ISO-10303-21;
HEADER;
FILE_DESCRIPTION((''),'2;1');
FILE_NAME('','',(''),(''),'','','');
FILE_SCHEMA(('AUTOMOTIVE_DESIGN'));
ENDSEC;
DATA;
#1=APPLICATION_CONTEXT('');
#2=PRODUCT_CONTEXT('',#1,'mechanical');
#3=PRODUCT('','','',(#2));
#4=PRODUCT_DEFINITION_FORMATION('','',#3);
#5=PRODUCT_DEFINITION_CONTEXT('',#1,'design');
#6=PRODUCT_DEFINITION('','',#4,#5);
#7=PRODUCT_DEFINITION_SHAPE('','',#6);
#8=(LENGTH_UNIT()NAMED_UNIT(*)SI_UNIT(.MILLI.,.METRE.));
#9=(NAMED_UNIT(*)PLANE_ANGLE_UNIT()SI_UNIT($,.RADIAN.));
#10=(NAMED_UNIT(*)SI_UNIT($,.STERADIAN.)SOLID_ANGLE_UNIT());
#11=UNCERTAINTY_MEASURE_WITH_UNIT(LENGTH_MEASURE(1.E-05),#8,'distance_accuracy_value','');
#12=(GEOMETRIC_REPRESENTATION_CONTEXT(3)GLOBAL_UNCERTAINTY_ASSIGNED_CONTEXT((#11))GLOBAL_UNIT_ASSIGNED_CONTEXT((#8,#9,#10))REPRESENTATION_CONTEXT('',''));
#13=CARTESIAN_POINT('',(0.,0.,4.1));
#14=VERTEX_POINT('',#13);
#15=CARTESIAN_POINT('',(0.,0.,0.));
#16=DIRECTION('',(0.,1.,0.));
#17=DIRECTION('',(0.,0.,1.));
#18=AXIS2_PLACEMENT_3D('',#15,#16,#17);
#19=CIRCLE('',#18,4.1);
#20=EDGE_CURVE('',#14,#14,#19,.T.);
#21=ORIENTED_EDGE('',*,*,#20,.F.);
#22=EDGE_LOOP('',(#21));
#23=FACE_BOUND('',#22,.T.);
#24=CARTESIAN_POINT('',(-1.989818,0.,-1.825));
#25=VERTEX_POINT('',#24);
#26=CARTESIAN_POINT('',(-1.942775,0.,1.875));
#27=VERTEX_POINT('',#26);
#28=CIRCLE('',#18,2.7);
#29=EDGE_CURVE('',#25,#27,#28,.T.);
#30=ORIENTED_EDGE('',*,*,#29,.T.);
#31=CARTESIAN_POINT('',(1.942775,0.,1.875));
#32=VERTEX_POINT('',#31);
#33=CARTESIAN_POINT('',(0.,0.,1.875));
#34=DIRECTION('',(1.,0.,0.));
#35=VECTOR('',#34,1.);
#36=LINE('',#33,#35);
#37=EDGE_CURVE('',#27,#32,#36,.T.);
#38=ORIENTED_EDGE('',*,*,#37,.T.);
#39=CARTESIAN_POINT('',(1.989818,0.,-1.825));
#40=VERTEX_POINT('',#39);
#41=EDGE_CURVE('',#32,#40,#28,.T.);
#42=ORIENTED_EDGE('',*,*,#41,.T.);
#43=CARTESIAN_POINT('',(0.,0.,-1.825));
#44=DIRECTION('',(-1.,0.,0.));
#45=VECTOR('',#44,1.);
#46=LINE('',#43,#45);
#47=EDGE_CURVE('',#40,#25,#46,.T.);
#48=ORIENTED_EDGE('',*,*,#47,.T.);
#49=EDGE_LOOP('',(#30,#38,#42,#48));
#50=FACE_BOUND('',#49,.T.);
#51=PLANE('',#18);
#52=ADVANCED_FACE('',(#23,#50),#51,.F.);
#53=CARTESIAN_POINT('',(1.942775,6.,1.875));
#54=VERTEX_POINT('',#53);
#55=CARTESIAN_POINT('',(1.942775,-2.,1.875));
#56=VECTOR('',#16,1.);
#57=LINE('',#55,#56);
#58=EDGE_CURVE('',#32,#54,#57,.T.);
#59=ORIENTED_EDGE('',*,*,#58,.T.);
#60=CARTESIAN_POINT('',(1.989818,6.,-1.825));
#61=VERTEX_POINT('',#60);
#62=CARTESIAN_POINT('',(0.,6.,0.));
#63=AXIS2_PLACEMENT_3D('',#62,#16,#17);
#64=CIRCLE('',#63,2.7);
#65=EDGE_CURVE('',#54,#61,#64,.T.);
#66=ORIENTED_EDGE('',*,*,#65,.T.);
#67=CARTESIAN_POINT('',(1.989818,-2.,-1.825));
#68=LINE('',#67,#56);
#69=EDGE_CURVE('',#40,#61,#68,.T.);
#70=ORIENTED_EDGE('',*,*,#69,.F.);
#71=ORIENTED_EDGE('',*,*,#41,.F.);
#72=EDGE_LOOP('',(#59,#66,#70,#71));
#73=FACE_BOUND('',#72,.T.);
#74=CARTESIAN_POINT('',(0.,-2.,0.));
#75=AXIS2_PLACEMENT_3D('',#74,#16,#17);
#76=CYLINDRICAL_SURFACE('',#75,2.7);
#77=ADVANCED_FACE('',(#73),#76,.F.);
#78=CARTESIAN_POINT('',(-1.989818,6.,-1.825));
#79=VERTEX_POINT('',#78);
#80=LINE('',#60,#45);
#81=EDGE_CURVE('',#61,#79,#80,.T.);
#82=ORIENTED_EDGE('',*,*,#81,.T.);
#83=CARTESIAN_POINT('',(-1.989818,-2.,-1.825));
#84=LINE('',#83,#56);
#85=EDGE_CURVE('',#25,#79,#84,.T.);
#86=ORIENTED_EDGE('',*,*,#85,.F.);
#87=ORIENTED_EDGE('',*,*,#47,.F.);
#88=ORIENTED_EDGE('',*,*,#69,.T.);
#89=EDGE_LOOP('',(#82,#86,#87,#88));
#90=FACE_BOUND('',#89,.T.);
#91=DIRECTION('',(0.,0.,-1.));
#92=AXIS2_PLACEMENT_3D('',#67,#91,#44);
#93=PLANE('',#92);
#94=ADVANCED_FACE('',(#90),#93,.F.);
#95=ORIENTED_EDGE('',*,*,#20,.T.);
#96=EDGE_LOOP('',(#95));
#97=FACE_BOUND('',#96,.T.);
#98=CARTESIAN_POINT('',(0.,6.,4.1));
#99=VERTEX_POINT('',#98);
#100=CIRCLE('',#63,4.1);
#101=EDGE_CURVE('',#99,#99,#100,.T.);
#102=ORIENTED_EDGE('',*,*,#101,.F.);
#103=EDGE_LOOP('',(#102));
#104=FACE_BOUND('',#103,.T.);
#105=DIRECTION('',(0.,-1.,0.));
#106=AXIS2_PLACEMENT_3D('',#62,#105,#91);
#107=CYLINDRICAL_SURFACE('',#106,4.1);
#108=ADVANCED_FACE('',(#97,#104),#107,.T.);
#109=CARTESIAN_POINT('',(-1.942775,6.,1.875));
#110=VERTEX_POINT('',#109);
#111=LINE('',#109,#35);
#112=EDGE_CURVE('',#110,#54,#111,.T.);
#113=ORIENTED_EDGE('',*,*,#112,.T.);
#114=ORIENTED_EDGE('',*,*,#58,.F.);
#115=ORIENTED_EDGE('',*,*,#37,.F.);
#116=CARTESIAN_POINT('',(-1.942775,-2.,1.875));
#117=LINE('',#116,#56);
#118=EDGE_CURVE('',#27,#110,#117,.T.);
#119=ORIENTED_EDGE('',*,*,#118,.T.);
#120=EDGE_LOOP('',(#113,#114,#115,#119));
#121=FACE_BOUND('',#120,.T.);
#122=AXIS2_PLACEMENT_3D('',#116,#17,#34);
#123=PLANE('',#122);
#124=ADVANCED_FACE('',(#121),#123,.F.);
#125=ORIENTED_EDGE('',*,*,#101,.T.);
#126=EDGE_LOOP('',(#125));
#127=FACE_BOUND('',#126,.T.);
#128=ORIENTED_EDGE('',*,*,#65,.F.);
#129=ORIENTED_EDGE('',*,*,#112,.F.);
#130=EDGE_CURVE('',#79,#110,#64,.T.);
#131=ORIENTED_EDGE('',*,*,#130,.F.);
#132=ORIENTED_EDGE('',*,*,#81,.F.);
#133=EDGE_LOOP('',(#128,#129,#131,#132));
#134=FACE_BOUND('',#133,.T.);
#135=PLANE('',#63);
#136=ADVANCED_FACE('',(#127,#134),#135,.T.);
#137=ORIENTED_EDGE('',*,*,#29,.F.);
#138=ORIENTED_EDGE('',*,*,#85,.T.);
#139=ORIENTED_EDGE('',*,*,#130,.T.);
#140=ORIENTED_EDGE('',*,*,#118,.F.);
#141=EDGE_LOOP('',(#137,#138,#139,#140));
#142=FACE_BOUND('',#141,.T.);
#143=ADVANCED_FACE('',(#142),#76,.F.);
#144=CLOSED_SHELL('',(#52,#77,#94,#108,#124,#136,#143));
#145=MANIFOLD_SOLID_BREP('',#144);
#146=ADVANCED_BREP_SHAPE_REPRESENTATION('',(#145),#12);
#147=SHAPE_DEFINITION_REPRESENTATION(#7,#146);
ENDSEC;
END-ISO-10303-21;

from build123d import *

# Parameters (mm, degrees)
SKETCH1_R           = 4.1
BOSS_EXTRUDE1_DEPTH = 6
CUT_EXTRUDE1_DEPTH  = 8


with BuildPart() as part:
    # Sketch1 → Boss-Extrude1 (new body)
    with BuildSketch(Plane(origin=(0, 0, 0), x_dir=(1, 0, 0), z_dir=(0, 1, 0))):
        with Locations(Location((0, 0, 0), (0, 0, 270))):
            Circle(SKETCH1_R)
    extrude(amount=BOSS_EXTRUDE1_DEPTH)

    # Sketch2 → Cut-Extrude1 (cut)
    with BuildSketch(Plane(origin=(0, 6, 0), x_dir=(1, 0, 0), z_dir=(0, 1, 0))):
        with BuildLine():
            Line((1.989817831, 1.825), (-1.989817831, 1.825))
            ThreePointArc((-1.989817831, 1.825), (-2.699781796, -0.034325722), (-1.942775077, -1.875))
            Line((-1.942775077, -1.875), (1.942775077, -1.875))
            ThreePointArc((1.942775077, -1.875), (2.699781796, -0.034325722), (1.989817831, 1.825))
        make_face()
    extrude(amount=-CUT_EXTRUDE1_DEPTH, mode=Mode.SUBTRACT)


solid = part.part
